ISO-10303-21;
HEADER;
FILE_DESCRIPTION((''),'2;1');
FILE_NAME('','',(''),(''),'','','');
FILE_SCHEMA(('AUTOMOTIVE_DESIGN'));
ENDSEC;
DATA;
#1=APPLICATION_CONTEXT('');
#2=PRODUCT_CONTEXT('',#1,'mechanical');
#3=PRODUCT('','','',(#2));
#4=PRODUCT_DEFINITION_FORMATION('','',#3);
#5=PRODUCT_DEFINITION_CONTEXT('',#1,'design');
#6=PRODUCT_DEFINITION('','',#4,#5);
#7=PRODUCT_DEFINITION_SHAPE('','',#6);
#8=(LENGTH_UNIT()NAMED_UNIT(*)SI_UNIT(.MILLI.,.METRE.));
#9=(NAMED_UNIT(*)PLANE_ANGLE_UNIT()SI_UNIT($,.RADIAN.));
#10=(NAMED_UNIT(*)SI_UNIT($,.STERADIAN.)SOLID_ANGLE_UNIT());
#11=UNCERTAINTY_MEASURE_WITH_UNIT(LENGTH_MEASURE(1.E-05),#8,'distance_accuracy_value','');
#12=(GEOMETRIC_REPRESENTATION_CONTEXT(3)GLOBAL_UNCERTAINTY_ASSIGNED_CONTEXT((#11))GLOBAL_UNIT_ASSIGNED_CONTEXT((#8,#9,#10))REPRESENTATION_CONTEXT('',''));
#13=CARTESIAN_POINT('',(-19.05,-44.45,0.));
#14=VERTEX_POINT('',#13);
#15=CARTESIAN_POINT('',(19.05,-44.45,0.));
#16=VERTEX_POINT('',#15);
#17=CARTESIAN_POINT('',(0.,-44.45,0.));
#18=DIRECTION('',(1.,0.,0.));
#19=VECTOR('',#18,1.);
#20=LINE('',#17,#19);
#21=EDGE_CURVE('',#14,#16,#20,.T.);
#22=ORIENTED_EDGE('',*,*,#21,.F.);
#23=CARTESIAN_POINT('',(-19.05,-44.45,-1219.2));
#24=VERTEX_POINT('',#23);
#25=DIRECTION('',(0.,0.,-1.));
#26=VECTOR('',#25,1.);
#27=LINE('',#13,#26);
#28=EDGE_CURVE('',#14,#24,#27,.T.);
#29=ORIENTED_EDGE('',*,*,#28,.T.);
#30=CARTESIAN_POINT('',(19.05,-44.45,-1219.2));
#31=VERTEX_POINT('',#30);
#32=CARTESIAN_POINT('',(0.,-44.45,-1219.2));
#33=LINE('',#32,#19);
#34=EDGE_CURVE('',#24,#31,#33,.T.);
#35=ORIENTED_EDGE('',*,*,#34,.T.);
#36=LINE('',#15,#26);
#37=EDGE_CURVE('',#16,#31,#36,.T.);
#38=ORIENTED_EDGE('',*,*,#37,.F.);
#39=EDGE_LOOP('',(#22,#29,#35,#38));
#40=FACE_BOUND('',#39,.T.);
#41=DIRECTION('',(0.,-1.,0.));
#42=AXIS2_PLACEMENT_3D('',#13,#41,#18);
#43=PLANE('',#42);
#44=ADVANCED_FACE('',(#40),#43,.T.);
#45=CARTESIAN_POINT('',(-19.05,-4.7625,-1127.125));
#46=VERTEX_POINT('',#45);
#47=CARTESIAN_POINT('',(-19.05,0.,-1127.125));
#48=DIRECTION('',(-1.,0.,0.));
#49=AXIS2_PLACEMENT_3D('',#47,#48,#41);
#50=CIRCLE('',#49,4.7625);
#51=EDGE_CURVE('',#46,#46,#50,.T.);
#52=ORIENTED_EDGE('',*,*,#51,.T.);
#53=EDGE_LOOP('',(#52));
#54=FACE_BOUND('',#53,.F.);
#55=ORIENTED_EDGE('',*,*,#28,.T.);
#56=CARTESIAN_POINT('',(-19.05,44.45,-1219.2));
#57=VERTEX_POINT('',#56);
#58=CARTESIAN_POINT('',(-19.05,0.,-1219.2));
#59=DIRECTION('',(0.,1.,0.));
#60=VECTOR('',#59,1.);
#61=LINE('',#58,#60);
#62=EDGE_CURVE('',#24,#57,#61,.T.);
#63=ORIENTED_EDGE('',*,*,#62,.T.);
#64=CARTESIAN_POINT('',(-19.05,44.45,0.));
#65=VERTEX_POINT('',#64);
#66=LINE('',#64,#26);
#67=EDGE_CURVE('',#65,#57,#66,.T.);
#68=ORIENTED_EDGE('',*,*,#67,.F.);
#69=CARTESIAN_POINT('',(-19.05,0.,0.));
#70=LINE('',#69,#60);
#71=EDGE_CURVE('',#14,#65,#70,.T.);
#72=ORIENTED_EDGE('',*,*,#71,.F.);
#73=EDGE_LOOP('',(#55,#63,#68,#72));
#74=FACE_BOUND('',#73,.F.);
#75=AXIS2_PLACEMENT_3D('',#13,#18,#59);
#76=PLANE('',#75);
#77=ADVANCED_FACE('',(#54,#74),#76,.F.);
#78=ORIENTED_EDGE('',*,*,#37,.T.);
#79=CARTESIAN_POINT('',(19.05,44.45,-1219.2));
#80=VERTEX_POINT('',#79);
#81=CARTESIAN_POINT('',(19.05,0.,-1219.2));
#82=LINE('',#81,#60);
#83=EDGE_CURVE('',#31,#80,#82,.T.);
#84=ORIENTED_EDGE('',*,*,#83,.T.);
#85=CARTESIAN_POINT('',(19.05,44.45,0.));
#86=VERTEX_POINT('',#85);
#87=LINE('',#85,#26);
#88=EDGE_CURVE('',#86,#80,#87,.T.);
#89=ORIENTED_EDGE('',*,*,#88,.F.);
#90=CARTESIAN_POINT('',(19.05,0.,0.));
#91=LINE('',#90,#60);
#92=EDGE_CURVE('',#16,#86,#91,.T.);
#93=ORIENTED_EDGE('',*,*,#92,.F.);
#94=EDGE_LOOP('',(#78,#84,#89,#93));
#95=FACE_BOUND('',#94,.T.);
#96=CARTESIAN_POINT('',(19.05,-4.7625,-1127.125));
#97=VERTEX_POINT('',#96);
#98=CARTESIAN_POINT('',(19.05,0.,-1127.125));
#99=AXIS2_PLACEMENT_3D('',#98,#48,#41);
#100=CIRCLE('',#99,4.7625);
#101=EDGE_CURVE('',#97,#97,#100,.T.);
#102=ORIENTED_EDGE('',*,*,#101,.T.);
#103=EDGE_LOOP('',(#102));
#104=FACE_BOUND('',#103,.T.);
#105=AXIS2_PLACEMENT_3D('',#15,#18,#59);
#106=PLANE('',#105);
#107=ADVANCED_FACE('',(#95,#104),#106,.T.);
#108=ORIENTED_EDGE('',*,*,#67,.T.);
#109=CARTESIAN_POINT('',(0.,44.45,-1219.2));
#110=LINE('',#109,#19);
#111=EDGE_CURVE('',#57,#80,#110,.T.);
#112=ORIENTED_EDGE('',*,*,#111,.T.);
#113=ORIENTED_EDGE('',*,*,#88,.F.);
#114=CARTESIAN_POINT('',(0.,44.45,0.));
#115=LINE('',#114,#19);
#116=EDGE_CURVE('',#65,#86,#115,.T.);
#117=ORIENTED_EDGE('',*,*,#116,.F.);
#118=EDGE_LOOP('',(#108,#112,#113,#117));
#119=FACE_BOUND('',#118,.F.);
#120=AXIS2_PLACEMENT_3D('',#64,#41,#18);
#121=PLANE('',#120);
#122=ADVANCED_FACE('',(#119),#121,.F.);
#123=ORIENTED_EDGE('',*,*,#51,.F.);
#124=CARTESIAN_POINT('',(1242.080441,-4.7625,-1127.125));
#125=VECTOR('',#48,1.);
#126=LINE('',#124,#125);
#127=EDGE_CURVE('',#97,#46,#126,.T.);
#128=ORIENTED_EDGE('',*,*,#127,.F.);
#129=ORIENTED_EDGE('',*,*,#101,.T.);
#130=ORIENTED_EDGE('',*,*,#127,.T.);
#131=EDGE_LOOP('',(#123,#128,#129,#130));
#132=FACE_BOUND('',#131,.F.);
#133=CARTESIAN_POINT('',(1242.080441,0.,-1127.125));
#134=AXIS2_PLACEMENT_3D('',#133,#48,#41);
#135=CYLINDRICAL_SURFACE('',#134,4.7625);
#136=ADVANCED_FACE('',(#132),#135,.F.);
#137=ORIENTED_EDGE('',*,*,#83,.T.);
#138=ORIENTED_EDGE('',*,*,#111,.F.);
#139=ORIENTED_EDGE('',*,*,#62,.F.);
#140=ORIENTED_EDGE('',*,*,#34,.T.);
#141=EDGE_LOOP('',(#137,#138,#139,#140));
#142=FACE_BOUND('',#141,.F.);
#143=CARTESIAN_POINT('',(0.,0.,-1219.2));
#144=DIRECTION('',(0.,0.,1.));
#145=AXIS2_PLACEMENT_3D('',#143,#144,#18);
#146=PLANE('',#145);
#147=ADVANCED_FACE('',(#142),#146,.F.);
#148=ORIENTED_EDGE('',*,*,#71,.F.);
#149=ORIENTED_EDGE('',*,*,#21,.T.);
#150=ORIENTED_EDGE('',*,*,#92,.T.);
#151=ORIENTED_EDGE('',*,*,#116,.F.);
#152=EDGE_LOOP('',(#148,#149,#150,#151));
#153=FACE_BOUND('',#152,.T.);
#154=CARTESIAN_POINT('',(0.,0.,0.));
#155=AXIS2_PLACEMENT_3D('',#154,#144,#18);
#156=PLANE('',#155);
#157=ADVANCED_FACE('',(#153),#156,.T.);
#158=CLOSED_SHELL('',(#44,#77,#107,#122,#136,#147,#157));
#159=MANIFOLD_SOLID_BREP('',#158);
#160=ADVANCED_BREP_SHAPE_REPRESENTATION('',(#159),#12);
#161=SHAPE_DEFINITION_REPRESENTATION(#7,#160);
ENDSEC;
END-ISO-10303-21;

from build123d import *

# Parameters (mm, degrees)
F0_W     = 38.1
F0_H     = 88.9
F1_DEPTH = 1219.2
F3_D     = 9.525


with BuildPart() as f1:
    # F0 (on Top) → F1 (new body)
    with BuildSketch(Plane.XY):
        Rectangle(F0_W, F0_H)
    extrude(amount=-F1_DEPTH)

    # F3 (through all)
    with Locations(Plane.YZ.offset(19.05)):
        with Locations((0, -1127.125)):
            Hole(F3_D / 2)


solid = f1.part
